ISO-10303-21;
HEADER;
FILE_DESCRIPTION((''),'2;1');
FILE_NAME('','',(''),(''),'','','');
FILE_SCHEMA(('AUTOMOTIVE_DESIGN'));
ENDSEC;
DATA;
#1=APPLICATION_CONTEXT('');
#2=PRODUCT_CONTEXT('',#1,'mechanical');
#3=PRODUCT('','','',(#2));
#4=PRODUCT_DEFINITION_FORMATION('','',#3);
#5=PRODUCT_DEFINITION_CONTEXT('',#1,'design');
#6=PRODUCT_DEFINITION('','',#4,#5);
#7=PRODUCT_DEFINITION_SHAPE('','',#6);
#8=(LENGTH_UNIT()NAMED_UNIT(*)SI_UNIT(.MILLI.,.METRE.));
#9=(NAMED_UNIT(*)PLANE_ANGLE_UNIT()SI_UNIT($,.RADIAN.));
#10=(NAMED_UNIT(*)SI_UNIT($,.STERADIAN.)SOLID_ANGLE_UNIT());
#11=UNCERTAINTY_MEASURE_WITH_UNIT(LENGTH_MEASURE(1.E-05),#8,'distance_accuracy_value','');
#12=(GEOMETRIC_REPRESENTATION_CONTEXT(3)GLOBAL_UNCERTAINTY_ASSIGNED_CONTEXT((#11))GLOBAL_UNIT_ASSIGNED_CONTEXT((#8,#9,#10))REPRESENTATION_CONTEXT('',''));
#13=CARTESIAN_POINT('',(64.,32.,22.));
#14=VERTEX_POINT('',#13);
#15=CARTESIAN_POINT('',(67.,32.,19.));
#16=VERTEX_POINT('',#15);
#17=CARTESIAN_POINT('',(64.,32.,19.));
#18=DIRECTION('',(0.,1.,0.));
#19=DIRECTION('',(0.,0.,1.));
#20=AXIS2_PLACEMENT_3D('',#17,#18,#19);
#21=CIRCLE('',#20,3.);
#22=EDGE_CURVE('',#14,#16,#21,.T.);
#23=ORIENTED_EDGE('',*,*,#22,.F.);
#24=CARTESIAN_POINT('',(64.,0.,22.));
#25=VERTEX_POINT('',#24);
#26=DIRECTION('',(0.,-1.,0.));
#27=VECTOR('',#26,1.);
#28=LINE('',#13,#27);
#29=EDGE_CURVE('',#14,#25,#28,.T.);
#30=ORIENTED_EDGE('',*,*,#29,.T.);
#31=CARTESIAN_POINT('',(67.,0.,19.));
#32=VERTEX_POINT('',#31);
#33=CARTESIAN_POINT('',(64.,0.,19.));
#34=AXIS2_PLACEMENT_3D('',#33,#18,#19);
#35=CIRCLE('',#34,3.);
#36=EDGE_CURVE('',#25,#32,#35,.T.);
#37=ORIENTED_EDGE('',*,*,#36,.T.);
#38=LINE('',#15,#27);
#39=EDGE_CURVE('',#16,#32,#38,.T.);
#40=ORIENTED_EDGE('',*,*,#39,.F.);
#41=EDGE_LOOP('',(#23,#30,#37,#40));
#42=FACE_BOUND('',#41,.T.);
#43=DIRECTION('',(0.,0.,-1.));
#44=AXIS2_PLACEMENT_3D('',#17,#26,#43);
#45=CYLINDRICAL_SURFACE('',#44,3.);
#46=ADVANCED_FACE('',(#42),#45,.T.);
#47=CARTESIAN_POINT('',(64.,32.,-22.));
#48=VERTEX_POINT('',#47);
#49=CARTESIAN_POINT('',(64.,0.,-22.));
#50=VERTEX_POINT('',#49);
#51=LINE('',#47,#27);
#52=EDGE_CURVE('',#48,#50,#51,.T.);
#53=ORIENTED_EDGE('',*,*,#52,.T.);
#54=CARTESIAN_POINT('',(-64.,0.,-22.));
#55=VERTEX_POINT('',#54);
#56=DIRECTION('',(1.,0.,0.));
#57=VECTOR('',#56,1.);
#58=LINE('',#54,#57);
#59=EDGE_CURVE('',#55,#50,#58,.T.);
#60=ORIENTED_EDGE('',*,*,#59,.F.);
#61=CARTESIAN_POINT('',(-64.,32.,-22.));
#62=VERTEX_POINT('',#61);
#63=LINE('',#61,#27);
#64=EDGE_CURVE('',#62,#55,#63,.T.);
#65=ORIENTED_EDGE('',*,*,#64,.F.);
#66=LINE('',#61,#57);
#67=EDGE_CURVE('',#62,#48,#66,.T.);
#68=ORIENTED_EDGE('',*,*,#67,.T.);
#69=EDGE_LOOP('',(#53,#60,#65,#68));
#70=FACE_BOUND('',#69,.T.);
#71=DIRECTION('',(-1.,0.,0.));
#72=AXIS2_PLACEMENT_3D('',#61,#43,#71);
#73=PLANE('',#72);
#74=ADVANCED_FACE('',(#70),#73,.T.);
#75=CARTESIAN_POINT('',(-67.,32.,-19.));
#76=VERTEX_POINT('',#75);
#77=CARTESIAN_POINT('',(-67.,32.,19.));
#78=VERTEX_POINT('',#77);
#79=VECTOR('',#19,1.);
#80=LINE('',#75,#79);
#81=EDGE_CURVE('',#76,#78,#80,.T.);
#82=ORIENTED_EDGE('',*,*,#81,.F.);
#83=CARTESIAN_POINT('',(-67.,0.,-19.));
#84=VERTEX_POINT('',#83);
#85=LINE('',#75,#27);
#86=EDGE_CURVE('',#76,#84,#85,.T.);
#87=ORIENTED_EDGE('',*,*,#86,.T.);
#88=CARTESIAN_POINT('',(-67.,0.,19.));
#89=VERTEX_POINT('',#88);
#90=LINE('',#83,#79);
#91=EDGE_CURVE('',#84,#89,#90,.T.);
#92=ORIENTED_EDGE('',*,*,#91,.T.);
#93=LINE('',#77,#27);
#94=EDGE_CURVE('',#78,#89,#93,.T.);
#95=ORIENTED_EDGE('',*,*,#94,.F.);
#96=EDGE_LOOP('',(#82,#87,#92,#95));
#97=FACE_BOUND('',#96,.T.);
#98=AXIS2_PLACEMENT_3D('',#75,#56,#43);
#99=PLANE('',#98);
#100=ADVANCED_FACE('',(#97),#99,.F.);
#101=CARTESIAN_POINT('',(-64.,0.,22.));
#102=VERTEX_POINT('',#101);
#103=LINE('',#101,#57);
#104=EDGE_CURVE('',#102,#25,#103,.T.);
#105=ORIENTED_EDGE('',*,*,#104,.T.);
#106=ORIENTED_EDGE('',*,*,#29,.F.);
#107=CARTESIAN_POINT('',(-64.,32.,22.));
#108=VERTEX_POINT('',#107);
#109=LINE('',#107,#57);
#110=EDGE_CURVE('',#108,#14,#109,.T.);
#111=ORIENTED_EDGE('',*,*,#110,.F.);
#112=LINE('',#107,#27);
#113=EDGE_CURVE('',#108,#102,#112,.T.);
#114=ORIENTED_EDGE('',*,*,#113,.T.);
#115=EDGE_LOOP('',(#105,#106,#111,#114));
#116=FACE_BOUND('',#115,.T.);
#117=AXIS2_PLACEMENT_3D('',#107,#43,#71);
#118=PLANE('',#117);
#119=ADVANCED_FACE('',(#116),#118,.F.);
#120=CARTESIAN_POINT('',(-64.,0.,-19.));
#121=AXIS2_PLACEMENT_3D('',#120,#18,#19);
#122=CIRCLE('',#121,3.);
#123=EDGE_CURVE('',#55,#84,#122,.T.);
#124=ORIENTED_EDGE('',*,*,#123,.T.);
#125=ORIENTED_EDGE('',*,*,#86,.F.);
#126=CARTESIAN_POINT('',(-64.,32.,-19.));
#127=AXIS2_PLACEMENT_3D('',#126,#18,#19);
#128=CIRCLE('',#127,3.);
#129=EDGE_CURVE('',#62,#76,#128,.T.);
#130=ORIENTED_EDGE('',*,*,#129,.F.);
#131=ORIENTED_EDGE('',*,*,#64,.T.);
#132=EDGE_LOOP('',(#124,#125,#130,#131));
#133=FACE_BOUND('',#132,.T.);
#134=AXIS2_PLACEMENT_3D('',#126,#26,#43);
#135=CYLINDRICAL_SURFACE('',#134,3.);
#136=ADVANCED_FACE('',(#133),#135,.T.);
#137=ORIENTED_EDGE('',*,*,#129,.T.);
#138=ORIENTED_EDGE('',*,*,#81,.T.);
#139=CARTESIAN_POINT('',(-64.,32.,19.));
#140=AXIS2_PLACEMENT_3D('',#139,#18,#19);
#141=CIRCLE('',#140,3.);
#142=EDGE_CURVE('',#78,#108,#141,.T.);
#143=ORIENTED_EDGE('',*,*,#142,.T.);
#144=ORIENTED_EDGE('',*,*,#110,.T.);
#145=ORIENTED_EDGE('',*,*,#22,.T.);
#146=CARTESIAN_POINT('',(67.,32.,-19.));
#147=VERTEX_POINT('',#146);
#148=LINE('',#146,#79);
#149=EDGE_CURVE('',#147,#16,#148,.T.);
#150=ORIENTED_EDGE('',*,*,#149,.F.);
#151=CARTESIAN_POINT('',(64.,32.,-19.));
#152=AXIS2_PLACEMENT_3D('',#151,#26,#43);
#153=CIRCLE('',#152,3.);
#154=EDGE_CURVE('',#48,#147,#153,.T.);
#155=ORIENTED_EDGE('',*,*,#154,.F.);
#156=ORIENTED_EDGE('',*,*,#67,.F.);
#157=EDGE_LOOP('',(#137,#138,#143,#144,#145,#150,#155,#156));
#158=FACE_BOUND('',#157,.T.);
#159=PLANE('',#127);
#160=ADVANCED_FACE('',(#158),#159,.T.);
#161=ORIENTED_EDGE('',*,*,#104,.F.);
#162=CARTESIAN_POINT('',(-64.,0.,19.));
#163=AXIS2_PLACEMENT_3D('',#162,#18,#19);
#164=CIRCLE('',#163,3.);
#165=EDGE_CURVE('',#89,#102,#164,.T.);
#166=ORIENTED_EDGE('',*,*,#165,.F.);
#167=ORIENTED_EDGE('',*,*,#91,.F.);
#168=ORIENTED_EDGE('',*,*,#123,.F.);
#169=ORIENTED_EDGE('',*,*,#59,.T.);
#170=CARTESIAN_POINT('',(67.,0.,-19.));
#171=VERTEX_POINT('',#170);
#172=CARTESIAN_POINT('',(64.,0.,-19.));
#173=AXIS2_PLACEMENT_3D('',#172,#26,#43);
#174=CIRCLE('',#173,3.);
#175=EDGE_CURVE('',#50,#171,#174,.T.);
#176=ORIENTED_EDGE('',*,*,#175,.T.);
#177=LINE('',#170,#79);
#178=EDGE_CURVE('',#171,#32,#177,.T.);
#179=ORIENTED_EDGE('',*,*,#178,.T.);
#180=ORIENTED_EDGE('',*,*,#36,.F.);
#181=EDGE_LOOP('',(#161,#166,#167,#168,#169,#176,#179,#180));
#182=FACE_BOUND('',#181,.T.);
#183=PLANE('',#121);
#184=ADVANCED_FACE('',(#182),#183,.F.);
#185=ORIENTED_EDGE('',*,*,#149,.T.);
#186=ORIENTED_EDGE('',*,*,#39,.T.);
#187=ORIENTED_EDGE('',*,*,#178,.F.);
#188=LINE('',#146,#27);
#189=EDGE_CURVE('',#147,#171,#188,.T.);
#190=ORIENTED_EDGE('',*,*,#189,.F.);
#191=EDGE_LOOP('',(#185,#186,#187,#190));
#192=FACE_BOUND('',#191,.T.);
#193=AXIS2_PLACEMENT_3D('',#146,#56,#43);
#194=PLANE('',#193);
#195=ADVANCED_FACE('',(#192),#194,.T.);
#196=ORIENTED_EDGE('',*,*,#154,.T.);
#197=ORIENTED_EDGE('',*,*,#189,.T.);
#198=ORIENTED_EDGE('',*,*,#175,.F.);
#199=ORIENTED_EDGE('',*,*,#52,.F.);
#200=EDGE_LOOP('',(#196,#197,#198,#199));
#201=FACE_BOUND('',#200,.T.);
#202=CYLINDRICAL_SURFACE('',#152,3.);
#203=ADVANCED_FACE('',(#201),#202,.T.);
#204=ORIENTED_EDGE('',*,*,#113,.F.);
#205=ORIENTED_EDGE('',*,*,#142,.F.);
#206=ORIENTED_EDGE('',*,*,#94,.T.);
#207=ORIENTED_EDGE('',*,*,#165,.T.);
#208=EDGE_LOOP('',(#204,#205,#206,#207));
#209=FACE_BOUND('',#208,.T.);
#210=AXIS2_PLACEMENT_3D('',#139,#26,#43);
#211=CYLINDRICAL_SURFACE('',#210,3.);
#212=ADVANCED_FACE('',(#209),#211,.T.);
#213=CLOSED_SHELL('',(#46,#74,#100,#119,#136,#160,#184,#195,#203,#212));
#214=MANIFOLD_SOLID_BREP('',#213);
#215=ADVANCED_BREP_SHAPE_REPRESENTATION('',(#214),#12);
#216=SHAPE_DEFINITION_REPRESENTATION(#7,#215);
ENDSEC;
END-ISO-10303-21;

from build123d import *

# Parameters (mm, degrees)
BOSS_EXTRUDE2_DEPTH = 32


with BuildPart() as part:
    # Sketch1 → Boss-Extrude2 (new body)
    with BuildSketch(Plane(origin=(0, 0, 0), x_dir=(1, 0, 0), z_dir=(0, 1, 0))):
        with BuildLine():
            Line((-64, 22), (64, 22))
            ThreePointArc((64, 22), (66.121320344, 21.121320344), (67, 19))
            Line((67, 19), (67, -19))
            ThreePointArc((67, -19), (66.121320344, -21.121320344), (64, -22))
            Line((64, -22), (-64, -22))
            ThreePointArc((-64, -22), (-66.121320344, -21.121320344), (-67, -19))
            Line((-67, -19), (-67, 19))
            ThreePointArc((-67, 19), (-66.121320344, 21.121320344), (-64, 22))
        make_face()
    extrude(amount=BOSS_EXTRUDE2_DEPTH)


solid = part.part
